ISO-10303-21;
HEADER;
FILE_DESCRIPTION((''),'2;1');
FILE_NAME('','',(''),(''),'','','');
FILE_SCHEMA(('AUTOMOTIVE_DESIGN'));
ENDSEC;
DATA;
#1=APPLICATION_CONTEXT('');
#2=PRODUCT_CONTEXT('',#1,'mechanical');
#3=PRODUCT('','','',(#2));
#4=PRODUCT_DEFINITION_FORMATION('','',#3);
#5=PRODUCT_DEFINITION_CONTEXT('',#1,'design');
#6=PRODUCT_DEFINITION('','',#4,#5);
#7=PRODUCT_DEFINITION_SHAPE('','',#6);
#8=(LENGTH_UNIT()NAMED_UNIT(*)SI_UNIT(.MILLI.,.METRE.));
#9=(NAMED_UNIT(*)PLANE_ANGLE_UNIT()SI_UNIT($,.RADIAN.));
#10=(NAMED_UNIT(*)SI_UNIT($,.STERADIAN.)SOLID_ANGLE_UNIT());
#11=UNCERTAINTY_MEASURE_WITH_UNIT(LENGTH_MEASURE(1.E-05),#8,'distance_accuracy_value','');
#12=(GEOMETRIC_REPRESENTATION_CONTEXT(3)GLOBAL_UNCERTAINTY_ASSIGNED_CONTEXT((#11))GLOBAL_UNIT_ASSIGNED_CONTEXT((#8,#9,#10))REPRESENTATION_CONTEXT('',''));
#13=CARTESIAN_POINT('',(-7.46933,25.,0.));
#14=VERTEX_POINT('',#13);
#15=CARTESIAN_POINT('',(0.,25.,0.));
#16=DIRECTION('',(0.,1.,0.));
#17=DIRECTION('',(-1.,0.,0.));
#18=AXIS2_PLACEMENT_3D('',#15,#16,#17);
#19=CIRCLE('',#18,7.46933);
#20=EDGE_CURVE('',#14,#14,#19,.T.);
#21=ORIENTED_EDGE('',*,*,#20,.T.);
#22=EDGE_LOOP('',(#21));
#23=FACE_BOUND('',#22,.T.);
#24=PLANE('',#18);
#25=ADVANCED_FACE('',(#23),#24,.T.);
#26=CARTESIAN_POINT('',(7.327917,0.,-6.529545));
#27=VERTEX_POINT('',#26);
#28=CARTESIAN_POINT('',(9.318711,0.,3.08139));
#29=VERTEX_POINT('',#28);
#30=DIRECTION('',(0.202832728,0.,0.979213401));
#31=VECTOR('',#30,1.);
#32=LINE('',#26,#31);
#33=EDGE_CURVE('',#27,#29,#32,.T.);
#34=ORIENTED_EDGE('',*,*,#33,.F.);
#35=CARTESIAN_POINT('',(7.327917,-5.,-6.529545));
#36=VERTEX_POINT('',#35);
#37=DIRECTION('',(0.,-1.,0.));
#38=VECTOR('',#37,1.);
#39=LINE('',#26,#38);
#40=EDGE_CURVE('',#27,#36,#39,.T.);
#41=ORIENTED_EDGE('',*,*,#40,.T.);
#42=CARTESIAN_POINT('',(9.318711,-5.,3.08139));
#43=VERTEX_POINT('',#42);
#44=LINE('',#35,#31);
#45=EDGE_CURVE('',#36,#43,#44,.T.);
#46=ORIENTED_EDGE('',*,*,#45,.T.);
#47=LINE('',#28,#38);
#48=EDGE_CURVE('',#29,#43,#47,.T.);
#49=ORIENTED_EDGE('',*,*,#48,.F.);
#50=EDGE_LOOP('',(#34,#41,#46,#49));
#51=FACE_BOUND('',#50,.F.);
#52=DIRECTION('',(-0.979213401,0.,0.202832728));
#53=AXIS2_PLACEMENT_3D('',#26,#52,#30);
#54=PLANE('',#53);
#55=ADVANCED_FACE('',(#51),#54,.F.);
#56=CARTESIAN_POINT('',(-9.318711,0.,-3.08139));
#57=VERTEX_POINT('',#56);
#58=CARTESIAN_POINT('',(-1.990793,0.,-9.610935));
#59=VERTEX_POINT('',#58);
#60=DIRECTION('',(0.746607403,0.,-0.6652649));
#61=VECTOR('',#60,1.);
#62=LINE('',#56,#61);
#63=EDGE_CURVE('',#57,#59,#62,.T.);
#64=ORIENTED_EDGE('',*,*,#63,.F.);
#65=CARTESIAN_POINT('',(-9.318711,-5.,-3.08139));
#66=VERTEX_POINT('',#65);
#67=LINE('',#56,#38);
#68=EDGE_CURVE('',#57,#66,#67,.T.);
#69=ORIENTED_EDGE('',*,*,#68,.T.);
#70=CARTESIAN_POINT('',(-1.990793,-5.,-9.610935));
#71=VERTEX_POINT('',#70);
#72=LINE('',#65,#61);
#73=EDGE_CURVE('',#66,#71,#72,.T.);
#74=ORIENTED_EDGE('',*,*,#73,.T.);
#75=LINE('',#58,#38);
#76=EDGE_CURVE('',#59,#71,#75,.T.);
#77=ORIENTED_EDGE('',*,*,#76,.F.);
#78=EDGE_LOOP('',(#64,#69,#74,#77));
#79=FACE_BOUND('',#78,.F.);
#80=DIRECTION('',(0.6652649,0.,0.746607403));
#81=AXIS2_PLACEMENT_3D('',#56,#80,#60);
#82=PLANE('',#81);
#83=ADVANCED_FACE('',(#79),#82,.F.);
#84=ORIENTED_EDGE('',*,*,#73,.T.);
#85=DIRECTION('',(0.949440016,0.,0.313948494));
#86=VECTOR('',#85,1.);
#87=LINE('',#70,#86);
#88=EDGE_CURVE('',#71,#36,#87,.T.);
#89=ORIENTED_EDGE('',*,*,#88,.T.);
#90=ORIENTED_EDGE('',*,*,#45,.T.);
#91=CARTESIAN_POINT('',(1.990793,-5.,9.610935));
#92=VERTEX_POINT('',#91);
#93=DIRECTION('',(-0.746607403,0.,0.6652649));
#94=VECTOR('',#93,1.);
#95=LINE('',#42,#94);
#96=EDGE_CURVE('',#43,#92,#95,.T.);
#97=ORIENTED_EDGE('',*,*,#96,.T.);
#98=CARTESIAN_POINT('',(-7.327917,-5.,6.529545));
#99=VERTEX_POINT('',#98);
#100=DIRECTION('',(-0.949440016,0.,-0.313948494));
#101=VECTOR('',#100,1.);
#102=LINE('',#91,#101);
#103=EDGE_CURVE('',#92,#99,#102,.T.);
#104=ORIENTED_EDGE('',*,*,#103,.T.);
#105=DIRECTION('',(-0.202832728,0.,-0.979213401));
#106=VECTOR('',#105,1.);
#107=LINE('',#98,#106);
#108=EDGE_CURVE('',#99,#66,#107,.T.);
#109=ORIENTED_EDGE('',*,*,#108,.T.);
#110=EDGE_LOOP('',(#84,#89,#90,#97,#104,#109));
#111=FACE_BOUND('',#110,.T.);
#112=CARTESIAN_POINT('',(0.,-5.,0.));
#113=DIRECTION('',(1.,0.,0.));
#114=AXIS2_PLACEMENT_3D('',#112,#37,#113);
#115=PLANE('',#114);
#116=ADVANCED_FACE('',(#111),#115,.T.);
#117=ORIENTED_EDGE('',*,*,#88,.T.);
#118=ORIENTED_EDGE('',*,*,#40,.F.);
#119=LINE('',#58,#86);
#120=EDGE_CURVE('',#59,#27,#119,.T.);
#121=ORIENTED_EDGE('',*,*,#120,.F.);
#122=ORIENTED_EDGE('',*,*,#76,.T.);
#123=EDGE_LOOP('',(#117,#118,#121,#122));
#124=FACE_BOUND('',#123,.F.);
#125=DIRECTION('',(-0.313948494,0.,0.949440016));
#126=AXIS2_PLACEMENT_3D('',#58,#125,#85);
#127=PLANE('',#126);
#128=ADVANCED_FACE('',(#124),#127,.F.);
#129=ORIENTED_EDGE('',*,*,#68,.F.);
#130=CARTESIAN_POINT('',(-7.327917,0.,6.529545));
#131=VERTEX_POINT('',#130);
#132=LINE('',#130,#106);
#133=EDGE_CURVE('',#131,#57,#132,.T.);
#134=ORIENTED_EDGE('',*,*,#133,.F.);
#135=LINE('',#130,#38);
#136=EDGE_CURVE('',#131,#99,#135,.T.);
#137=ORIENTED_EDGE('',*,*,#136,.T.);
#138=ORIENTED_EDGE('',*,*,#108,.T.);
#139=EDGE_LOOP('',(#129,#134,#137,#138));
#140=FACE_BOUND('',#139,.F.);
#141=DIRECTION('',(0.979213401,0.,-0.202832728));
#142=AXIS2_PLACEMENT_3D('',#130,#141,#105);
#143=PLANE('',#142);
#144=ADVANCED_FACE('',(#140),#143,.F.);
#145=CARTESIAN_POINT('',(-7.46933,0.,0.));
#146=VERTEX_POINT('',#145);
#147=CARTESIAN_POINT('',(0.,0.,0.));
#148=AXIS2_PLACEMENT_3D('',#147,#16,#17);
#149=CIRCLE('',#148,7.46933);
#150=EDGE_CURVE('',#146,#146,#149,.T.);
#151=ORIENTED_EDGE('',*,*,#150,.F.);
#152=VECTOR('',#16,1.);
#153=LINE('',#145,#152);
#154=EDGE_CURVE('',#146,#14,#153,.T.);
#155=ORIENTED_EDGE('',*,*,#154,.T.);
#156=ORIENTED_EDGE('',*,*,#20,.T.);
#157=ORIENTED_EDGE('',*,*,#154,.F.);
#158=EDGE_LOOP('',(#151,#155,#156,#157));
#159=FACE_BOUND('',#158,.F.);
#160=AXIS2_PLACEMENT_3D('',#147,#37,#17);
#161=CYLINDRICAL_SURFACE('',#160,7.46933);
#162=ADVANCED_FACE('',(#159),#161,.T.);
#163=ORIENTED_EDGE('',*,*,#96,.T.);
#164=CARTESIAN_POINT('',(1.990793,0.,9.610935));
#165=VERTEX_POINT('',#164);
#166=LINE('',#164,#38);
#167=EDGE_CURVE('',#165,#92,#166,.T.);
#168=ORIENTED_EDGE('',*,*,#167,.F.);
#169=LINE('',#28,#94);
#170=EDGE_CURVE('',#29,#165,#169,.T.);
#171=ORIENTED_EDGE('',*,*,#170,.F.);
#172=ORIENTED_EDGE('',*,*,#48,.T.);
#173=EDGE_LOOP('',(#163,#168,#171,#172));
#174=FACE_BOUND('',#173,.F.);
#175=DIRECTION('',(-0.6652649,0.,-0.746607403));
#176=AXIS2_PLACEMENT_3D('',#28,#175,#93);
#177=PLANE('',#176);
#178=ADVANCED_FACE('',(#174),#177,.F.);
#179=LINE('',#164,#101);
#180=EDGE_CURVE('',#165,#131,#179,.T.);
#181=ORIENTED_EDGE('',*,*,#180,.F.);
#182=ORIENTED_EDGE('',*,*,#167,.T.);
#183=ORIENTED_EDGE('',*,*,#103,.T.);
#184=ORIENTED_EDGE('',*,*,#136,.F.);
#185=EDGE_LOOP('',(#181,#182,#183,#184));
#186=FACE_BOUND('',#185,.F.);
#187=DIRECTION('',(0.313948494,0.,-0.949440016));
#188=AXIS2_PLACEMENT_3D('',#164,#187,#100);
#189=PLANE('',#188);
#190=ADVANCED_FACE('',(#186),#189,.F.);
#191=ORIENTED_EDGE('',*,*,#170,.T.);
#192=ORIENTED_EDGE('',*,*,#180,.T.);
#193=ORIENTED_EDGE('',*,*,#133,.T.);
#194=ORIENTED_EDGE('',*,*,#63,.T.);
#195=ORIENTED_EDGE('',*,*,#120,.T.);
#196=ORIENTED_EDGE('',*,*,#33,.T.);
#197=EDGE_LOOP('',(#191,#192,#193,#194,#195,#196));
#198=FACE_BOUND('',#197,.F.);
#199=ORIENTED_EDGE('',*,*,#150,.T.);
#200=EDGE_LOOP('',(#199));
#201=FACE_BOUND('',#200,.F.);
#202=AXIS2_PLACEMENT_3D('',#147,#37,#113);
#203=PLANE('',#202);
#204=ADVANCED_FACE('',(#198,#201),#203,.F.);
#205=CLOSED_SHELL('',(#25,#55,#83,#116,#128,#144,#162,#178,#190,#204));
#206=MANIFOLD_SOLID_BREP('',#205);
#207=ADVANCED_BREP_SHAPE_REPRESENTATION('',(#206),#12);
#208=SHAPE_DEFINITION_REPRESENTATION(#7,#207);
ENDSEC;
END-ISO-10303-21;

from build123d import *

# Parameters (mm, degrees)
F1_DEPTH = 5
F2_R     = 7.46933
F3_DEPTH = 25


with BuildPart() as f1:
    # F0 (on Front) → F1 (new body)
    with BuildSketch(Plane.XZ):
        Polygon((9.318711, 3.08139), (1.990793, 9.610935), (-7.327917, 6.529545), (-9.318711, -3.08139), (-1.990793, -9.610935), (7.327917, -6.529545), align=None)
    extrude(amount=F1_DEPTH)

    # F2 (on face) → F3 (join)
    with BuildSketch(Plane(origin=(0, 0, 0), x_dir=(-1, 0, 0), z_dir=(0, 1, 0))):
        Circle(F2_R)
    extrude(amount=F3_DEPTH)


solid = f1.part
